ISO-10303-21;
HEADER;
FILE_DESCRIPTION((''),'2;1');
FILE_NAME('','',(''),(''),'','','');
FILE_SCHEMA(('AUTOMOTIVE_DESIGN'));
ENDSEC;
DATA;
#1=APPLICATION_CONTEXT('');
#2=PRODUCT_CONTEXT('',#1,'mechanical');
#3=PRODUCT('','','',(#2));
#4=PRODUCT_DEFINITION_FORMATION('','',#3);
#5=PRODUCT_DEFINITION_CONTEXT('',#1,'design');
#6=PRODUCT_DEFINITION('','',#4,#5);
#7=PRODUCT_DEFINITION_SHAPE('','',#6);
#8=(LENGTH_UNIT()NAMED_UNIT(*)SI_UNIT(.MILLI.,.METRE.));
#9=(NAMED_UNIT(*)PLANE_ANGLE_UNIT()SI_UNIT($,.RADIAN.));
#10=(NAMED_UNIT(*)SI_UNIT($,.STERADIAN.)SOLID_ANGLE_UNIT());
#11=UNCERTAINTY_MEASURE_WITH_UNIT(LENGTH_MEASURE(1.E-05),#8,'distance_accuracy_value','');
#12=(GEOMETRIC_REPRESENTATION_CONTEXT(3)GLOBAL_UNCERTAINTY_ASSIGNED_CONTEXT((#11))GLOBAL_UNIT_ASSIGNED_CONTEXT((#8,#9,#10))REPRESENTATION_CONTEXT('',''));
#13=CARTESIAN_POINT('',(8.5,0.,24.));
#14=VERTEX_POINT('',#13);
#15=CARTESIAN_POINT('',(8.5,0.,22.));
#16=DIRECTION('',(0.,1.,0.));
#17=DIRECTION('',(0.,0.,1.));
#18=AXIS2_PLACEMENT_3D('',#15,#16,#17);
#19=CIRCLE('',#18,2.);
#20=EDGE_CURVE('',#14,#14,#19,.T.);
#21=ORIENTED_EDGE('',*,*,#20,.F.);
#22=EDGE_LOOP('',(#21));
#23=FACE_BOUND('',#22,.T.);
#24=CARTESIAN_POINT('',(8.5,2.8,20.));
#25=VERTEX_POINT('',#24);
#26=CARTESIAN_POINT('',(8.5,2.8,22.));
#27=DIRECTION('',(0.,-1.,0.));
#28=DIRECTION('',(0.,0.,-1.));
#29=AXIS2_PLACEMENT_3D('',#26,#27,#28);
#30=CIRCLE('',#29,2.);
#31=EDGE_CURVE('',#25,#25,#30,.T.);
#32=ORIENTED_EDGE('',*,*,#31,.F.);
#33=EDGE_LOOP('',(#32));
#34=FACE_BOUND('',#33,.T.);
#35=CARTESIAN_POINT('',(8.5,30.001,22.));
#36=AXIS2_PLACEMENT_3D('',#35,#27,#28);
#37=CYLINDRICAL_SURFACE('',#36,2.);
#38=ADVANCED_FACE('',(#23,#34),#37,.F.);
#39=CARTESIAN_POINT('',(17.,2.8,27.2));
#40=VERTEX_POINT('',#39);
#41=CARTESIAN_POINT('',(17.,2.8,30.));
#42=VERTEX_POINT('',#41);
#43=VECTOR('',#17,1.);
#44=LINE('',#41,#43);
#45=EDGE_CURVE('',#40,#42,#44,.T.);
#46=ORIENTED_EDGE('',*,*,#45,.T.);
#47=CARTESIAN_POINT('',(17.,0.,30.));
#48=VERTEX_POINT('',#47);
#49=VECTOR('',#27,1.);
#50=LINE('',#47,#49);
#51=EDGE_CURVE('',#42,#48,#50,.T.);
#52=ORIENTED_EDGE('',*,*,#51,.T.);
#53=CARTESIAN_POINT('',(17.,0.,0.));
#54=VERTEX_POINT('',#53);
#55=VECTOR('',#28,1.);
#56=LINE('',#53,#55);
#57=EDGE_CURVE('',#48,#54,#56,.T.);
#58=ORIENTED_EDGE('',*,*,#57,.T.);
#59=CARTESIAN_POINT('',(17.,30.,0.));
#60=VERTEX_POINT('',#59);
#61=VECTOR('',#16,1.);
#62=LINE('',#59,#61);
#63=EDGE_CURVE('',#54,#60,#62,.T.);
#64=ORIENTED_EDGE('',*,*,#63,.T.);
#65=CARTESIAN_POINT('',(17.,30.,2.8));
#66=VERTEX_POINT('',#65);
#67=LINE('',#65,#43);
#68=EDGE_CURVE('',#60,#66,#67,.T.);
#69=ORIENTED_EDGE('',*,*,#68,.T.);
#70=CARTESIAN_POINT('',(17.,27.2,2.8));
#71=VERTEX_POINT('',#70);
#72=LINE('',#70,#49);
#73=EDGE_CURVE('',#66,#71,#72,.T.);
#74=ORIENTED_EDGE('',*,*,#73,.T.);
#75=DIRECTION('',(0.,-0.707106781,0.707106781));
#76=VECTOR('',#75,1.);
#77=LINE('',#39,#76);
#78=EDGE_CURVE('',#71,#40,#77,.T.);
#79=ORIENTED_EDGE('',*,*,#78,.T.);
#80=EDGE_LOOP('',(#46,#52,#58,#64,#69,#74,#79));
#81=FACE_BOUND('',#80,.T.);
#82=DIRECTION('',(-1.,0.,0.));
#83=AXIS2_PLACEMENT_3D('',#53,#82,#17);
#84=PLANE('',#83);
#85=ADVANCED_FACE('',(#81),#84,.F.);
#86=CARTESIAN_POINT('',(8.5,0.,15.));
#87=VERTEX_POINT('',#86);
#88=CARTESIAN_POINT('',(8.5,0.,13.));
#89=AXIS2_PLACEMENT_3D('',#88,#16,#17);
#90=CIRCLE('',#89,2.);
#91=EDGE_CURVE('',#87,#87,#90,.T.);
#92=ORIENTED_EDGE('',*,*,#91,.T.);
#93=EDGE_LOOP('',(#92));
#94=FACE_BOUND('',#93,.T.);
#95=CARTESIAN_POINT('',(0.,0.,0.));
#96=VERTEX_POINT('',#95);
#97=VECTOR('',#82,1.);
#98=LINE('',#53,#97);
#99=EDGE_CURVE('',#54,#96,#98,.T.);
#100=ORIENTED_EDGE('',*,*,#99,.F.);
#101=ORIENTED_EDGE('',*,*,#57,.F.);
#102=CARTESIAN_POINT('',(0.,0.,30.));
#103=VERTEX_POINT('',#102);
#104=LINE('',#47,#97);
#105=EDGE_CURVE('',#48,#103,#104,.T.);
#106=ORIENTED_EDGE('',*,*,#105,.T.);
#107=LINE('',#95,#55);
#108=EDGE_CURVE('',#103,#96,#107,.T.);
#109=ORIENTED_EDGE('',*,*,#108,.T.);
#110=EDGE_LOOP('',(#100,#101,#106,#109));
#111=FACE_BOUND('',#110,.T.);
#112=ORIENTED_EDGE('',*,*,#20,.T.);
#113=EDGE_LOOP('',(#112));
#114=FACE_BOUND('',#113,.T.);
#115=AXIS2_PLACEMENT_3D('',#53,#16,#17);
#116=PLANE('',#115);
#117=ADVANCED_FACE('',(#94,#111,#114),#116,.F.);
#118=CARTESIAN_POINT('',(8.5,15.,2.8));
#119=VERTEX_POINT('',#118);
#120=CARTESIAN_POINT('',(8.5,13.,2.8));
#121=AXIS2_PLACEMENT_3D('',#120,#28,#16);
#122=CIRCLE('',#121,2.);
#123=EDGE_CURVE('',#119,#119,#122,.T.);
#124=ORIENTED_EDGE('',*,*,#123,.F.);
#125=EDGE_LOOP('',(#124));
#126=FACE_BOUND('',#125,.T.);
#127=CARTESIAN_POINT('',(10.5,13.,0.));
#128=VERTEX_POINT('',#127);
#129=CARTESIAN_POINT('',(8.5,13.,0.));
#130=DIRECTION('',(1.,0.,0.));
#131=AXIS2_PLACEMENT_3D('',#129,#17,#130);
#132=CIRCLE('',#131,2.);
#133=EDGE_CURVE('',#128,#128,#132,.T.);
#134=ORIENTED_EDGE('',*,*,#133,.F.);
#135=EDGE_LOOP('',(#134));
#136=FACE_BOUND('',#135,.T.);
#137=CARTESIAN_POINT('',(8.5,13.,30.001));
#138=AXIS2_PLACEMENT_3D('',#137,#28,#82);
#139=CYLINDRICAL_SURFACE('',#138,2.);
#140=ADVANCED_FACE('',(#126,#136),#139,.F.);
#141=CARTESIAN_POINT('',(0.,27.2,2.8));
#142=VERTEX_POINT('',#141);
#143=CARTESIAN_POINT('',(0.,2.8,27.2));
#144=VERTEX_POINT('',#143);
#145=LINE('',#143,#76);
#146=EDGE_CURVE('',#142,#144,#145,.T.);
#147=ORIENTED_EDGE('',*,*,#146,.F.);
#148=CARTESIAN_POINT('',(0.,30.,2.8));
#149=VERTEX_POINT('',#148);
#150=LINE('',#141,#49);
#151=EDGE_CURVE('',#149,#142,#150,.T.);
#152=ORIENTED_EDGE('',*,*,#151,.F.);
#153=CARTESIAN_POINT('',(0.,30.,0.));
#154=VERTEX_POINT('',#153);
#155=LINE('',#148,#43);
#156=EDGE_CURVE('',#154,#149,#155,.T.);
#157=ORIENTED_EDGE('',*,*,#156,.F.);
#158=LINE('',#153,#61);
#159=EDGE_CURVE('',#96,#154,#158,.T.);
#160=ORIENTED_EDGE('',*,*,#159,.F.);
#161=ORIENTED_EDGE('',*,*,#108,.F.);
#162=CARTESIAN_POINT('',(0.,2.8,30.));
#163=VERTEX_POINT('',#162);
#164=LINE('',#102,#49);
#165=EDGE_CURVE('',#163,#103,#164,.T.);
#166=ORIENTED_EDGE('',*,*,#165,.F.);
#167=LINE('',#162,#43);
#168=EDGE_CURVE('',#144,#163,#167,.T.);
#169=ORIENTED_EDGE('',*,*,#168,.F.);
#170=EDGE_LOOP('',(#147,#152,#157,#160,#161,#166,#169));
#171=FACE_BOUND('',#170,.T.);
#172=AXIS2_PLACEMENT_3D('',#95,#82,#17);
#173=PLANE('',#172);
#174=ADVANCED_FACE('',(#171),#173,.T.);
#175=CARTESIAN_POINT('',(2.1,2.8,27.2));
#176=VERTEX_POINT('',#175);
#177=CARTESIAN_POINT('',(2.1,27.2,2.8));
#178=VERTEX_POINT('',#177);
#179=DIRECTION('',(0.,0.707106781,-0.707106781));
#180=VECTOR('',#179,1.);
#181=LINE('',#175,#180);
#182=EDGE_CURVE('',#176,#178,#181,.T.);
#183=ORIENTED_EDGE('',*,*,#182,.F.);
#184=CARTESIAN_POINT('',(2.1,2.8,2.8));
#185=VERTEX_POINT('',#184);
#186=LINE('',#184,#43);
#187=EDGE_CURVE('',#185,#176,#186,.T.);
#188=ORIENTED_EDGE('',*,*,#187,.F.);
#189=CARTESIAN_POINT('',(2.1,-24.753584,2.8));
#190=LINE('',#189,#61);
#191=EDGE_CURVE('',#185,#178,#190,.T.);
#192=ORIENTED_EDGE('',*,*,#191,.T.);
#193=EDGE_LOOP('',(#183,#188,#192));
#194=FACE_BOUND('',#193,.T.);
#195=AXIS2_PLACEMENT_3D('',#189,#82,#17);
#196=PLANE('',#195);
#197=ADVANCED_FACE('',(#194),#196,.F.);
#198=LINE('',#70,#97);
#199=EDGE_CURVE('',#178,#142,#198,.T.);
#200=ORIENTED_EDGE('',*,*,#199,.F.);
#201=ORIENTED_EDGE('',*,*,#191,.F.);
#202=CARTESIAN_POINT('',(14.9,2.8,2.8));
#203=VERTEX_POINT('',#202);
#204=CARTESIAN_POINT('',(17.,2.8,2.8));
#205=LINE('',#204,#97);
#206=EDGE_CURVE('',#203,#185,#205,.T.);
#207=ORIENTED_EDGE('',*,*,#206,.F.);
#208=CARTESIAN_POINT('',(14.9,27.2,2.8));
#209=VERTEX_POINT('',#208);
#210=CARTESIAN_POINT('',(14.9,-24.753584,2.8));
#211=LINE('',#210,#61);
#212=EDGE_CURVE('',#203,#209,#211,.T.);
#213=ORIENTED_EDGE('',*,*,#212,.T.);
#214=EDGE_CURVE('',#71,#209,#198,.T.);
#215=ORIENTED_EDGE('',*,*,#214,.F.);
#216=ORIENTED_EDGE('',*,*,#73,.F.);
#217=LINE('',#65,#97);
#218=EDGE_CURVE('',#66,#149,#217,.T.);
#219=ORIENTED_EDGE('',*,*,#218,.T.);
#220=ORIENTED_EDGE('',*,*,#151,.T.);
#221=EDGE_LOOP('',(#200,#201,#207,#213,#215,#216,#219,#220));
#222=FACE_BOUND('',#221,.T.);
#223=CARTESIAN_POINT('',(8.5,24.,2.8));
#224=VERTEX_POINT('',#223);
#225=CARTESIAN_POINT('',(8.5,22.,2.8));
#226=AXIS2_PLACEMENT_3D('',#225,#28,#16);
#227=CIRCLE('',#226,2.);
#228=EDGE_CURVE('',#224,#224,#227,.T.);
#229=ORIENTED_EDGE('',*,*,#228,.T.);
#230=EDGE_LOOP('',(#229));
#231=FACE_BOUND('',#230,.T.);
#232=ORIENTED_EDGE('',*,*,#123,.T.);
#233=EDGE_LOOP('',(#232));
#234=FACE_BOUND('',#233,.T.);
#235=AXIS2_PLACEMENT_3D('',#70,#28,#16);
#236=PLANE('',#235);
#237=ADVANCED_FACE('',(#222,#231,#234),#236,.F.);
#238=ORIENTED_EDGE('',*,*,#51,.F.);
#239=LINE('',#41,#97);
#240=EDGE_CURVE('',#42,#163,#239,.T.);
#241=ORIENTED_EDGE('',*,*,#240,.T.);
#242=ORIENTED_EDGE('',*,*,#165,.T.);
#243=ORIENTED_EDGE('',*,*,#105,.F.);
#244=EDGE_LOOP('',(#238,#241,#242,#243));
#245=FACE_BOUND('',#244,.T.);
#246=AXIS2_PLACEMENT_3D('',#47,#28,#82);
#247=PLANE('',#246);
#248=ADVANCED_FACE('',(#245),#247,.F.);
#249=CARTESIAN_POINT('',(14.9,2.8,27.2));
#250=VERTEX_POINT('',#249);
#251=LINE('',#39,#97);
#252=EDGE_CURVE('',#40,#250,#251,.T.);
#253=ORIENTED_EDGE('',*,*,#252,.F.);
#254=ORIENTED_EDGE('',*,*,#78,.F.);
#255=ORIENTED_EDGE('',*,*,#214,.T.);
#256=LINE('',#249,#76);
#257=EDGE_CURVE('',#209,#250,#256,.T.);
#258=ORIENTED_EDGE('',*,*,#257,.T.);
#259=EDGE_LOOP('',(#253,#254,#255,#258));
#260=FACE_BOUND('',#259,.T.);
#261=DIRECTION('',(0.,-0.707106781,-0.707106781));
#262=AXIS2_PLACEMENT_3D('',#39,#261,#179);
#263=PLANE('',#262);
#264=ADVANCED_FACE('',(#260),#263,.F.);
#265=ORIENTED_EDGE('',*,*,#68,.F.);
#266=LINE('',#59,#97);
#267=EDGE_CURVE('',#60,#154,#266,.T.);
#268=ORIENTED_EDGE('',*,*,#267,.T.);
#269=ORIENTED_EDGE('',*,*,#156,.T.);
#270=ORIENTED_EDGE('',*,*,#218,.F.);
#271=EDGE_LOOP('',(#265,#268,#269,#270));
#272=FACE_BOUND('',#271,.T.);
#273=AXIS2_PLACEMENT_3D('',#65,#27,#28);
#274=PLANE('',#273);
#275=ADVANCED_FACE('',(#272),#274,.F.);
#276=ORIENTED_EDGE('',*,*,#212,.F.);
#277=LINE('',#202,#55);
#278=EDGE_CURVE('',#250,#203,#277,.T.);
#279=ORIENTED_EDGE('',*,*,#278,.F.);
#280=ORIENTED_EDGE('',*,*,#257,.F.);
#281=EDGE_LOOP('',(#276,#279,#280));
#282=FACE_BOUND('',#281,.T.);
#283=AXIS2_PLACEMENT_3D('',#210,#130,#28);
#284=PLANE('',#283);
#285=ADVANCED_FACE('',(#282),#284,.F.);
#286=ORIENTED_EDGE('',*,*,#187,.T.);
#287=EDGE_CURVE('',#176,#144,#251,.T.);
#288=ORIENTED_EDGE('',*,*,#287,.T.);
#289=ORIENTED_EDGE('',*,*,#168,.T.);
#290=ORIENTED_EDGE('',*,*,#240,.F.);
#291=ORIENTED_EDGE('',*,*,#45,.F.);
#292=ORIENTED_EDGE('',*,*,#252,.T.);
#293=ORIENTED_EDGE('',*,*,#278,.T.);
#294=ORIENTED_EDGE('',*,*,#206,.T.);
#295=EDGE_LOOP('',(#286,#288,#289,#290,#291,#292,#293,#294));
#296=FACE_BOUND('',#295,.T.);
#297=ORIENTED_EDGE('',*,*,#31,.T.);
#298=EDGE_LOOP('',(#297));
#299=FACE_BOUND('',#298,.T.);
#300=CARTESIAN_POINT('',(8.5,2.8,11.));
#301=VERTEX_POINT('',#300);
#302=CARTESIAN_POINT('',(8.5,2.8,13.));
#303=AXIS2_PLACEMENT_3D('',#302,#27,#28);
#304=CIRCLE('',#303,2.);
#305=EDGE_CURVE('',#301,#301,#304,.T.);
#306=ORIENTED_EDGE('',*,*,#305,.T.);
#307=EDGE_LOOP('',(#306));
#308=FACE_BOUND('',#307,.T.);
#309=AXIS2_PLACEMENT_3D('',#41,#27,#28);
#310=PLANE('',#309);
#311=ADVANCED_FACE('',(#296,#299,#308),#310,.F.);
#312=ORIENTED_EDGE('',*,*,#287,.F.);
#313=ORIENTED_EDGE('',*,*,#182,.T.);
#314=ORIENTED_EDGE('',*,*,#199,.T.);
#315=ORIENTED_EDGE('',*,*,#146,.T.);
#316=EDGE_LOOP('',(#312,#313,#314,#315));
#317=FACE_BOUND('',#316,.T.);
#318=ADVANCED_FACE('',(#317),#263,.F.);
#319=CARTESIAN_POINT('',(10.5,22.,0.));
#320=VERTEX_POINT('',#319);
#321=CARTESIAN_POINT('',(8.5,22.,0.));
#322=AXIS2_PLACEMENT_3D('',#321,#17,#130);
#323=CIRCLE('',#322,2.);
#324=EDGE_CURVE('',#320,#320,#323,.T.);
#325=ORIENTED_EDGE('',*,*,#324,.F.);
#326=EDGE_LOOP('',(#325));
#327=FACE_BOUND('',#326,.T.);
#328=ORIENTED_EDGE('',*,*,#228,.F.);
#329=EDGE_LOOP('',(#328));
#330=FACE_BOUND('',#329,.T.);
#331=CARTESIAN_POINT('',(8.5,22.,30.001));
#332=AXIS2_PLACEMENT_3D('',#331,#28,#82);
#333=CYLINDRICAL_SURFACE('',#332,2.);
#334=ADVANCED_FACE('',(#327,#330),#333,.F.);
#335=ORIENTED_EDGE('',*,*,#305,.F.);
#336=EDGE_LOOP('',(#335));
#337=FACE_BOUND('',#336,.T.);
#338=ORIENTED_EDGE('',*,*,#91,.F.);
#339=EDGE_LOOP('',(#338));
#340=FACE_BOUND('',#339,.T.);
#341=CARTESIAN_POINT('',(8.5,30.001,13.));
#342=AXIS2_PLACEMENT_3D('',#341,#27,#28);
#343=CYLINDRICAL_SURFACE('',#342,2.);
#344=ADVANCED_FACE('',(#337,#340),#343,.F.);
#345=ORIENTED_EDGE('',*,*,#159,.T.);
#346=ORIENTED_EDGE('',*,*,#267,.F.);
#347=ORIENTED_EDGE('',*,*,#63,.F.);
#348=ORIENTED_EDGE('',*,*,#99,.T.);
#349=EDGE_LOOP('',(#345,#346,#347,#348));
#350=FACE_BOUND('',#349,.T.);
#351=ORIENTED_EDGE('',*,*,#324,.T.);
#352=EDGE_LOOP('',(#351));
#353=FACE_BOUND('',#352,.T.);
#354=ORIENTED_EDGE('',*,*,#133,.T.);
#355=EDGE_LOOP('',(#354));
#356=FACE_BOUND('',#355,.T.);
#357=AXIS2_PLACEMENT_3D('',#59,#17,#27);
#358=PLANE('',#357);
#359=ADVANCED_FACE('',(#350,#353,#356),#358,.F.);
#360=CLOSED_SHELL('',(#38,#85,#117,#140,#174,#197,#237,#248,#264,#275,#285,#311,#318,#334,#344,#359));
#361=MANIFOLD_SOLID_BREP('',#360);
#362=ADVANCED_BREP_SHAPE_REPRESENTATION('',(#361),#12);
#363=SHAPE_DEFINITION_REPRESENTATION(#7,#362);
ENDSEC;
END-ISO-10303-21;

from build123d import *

# Parameters (mm, degrees)
EXTRUDE_1_DEPTH     = 17
CUT_EXTRUDE_START   = 30
SKETCH_2_W          = 12.8
SKETCH_2_H          = 24.4
CUT_EXTRUDE_1_DEPTH = 27.2
CUT_EXTRUDE_2_REACH = 47.706
SKETCH_3_R          = 2
CUT_EXTRUDE_3_REACH = 47.706
SKETCH_4_R          = 2


with BuildPart() as part:
    # 草图1 → 凸台-拉伸1 (new body)
    with BuildSketch(Plane(origin=(0, 0, 0), x_dir=(0, 0, -1), z_dir=(1, 0, 0))):
        Polygon((0, 0), (-30, 0), (-30, 2.8), (-27.2, 2.8), (-2.8, 27.2), (-2.8, 30), (0, 30), align=None)
    extrude(amount=EXTRUDE_1_DEPTH)

    # 草图2 → 切除-拉伸1 (cut)
    with BuildSketch(Plane(origin=(0, 0, 0), x_dir=(1, 0, 0), z_dir=(0, 1, 0)).offset(CUT_EXTRUDE_START)):
        with Locations((8.5, -15)):
            Rectangle(SKETCH_2_W, SKETCH_2_H)
    extrude(amount=-CUT_EXTRUDE_1_DEPTH, mode=Mode.SUBTRACT)

    # 草图3 → 切除-拉伸2 (cut, up to next)
    with BuildSketch(Plane(origin=(0, 0, 0), x_dir=(1, 0, 0), z_dir=(0, 1, 0)), mode=Mode.PRIVATE) as cut_extrude_2_sk1:
        with Locations(Location((8.5, -22, 0), (0, 0, 90))):
            Circle(SKETCH_3_R)
    cut_extrude_2_tool1 = extrude(cut_extrude_2_sk1.sketch, amount=CUT_EXTRUDE_2_REACH, mode=Mode.PRIVATE) & part.part
    # 草图3 → 切除-拉伸2 (cut, up to next)
    with BuildSketch(Plane(origin=(0, 0, 0), x_dir=(1, 0, 0), z_dir=(0, 1, 0)), mode=Mode.PRIVATE) as cut_extrude_2_sk2:
        with Locations(Location((8.5, -13, 0), (0, 0, 90))):
            Circle(SKETCH_3_R)
    cut_extrude_2_tool2 = extrude(cut_extrude_2_sk2.sketch, amount=CUT_EXTRUDE_2_REACH, mode=Mode.PRIVATE) & part.part
    add(cut_extrude_2_tool1.solids().sort_by_distance((8.5, 0, 22))[0], mode=Mode.SUBTRACT)
    add(cut_extrude_2_tool2.solids().sort_by_distance((8.5, 0, 13))[0], mode=Mode.SUBTRACT)

    # 草图4 → 切除-拉伸3 (cut, up to next)
    with BuildSketch(Plane.XY, mode=Mode.PRIVATE) as cut_extrude_3_sk1:
        with Locations(Location((8.5, 22, 0), (0, 0, 90))):
            Circle(SKETCH_4_R)
    cut_extrude_3_tool1 = extrude(cut_extrude_3_sk1.sketch, amount=CUT_EXTRUDE_3_REACH, mode=Mode.PRIVATE) & part.part
    # 草图4 → 切除-拉伸3 (cut, up to next)
    with BuildSketch(Plane.XY, mode=Mode.PRIVATE) as cut_extrude_3_sk2:
        with Locations(Location((8.5, 13, 0), (0, 0, 90))):
            Circle(SKETCH_4_R)
    cut_extrude_3_tool2 = extrude(cut_extrude_3_sk2.sketch, amount=CUT_EXTRUDE_3_REACH, mode=Mode.PRIVATE) & part.part
    add(cut_extrude_3_tool1.solids().sort_by_distance((8.5, 22, 0))[0], mode=Mode.SUBTRACT)
    add(cut_extrude_3_tool2.solids().sort_by_distance((8.5, 13, 0))[0], mode=Mode.SUBTRACT)


solid = part.part
